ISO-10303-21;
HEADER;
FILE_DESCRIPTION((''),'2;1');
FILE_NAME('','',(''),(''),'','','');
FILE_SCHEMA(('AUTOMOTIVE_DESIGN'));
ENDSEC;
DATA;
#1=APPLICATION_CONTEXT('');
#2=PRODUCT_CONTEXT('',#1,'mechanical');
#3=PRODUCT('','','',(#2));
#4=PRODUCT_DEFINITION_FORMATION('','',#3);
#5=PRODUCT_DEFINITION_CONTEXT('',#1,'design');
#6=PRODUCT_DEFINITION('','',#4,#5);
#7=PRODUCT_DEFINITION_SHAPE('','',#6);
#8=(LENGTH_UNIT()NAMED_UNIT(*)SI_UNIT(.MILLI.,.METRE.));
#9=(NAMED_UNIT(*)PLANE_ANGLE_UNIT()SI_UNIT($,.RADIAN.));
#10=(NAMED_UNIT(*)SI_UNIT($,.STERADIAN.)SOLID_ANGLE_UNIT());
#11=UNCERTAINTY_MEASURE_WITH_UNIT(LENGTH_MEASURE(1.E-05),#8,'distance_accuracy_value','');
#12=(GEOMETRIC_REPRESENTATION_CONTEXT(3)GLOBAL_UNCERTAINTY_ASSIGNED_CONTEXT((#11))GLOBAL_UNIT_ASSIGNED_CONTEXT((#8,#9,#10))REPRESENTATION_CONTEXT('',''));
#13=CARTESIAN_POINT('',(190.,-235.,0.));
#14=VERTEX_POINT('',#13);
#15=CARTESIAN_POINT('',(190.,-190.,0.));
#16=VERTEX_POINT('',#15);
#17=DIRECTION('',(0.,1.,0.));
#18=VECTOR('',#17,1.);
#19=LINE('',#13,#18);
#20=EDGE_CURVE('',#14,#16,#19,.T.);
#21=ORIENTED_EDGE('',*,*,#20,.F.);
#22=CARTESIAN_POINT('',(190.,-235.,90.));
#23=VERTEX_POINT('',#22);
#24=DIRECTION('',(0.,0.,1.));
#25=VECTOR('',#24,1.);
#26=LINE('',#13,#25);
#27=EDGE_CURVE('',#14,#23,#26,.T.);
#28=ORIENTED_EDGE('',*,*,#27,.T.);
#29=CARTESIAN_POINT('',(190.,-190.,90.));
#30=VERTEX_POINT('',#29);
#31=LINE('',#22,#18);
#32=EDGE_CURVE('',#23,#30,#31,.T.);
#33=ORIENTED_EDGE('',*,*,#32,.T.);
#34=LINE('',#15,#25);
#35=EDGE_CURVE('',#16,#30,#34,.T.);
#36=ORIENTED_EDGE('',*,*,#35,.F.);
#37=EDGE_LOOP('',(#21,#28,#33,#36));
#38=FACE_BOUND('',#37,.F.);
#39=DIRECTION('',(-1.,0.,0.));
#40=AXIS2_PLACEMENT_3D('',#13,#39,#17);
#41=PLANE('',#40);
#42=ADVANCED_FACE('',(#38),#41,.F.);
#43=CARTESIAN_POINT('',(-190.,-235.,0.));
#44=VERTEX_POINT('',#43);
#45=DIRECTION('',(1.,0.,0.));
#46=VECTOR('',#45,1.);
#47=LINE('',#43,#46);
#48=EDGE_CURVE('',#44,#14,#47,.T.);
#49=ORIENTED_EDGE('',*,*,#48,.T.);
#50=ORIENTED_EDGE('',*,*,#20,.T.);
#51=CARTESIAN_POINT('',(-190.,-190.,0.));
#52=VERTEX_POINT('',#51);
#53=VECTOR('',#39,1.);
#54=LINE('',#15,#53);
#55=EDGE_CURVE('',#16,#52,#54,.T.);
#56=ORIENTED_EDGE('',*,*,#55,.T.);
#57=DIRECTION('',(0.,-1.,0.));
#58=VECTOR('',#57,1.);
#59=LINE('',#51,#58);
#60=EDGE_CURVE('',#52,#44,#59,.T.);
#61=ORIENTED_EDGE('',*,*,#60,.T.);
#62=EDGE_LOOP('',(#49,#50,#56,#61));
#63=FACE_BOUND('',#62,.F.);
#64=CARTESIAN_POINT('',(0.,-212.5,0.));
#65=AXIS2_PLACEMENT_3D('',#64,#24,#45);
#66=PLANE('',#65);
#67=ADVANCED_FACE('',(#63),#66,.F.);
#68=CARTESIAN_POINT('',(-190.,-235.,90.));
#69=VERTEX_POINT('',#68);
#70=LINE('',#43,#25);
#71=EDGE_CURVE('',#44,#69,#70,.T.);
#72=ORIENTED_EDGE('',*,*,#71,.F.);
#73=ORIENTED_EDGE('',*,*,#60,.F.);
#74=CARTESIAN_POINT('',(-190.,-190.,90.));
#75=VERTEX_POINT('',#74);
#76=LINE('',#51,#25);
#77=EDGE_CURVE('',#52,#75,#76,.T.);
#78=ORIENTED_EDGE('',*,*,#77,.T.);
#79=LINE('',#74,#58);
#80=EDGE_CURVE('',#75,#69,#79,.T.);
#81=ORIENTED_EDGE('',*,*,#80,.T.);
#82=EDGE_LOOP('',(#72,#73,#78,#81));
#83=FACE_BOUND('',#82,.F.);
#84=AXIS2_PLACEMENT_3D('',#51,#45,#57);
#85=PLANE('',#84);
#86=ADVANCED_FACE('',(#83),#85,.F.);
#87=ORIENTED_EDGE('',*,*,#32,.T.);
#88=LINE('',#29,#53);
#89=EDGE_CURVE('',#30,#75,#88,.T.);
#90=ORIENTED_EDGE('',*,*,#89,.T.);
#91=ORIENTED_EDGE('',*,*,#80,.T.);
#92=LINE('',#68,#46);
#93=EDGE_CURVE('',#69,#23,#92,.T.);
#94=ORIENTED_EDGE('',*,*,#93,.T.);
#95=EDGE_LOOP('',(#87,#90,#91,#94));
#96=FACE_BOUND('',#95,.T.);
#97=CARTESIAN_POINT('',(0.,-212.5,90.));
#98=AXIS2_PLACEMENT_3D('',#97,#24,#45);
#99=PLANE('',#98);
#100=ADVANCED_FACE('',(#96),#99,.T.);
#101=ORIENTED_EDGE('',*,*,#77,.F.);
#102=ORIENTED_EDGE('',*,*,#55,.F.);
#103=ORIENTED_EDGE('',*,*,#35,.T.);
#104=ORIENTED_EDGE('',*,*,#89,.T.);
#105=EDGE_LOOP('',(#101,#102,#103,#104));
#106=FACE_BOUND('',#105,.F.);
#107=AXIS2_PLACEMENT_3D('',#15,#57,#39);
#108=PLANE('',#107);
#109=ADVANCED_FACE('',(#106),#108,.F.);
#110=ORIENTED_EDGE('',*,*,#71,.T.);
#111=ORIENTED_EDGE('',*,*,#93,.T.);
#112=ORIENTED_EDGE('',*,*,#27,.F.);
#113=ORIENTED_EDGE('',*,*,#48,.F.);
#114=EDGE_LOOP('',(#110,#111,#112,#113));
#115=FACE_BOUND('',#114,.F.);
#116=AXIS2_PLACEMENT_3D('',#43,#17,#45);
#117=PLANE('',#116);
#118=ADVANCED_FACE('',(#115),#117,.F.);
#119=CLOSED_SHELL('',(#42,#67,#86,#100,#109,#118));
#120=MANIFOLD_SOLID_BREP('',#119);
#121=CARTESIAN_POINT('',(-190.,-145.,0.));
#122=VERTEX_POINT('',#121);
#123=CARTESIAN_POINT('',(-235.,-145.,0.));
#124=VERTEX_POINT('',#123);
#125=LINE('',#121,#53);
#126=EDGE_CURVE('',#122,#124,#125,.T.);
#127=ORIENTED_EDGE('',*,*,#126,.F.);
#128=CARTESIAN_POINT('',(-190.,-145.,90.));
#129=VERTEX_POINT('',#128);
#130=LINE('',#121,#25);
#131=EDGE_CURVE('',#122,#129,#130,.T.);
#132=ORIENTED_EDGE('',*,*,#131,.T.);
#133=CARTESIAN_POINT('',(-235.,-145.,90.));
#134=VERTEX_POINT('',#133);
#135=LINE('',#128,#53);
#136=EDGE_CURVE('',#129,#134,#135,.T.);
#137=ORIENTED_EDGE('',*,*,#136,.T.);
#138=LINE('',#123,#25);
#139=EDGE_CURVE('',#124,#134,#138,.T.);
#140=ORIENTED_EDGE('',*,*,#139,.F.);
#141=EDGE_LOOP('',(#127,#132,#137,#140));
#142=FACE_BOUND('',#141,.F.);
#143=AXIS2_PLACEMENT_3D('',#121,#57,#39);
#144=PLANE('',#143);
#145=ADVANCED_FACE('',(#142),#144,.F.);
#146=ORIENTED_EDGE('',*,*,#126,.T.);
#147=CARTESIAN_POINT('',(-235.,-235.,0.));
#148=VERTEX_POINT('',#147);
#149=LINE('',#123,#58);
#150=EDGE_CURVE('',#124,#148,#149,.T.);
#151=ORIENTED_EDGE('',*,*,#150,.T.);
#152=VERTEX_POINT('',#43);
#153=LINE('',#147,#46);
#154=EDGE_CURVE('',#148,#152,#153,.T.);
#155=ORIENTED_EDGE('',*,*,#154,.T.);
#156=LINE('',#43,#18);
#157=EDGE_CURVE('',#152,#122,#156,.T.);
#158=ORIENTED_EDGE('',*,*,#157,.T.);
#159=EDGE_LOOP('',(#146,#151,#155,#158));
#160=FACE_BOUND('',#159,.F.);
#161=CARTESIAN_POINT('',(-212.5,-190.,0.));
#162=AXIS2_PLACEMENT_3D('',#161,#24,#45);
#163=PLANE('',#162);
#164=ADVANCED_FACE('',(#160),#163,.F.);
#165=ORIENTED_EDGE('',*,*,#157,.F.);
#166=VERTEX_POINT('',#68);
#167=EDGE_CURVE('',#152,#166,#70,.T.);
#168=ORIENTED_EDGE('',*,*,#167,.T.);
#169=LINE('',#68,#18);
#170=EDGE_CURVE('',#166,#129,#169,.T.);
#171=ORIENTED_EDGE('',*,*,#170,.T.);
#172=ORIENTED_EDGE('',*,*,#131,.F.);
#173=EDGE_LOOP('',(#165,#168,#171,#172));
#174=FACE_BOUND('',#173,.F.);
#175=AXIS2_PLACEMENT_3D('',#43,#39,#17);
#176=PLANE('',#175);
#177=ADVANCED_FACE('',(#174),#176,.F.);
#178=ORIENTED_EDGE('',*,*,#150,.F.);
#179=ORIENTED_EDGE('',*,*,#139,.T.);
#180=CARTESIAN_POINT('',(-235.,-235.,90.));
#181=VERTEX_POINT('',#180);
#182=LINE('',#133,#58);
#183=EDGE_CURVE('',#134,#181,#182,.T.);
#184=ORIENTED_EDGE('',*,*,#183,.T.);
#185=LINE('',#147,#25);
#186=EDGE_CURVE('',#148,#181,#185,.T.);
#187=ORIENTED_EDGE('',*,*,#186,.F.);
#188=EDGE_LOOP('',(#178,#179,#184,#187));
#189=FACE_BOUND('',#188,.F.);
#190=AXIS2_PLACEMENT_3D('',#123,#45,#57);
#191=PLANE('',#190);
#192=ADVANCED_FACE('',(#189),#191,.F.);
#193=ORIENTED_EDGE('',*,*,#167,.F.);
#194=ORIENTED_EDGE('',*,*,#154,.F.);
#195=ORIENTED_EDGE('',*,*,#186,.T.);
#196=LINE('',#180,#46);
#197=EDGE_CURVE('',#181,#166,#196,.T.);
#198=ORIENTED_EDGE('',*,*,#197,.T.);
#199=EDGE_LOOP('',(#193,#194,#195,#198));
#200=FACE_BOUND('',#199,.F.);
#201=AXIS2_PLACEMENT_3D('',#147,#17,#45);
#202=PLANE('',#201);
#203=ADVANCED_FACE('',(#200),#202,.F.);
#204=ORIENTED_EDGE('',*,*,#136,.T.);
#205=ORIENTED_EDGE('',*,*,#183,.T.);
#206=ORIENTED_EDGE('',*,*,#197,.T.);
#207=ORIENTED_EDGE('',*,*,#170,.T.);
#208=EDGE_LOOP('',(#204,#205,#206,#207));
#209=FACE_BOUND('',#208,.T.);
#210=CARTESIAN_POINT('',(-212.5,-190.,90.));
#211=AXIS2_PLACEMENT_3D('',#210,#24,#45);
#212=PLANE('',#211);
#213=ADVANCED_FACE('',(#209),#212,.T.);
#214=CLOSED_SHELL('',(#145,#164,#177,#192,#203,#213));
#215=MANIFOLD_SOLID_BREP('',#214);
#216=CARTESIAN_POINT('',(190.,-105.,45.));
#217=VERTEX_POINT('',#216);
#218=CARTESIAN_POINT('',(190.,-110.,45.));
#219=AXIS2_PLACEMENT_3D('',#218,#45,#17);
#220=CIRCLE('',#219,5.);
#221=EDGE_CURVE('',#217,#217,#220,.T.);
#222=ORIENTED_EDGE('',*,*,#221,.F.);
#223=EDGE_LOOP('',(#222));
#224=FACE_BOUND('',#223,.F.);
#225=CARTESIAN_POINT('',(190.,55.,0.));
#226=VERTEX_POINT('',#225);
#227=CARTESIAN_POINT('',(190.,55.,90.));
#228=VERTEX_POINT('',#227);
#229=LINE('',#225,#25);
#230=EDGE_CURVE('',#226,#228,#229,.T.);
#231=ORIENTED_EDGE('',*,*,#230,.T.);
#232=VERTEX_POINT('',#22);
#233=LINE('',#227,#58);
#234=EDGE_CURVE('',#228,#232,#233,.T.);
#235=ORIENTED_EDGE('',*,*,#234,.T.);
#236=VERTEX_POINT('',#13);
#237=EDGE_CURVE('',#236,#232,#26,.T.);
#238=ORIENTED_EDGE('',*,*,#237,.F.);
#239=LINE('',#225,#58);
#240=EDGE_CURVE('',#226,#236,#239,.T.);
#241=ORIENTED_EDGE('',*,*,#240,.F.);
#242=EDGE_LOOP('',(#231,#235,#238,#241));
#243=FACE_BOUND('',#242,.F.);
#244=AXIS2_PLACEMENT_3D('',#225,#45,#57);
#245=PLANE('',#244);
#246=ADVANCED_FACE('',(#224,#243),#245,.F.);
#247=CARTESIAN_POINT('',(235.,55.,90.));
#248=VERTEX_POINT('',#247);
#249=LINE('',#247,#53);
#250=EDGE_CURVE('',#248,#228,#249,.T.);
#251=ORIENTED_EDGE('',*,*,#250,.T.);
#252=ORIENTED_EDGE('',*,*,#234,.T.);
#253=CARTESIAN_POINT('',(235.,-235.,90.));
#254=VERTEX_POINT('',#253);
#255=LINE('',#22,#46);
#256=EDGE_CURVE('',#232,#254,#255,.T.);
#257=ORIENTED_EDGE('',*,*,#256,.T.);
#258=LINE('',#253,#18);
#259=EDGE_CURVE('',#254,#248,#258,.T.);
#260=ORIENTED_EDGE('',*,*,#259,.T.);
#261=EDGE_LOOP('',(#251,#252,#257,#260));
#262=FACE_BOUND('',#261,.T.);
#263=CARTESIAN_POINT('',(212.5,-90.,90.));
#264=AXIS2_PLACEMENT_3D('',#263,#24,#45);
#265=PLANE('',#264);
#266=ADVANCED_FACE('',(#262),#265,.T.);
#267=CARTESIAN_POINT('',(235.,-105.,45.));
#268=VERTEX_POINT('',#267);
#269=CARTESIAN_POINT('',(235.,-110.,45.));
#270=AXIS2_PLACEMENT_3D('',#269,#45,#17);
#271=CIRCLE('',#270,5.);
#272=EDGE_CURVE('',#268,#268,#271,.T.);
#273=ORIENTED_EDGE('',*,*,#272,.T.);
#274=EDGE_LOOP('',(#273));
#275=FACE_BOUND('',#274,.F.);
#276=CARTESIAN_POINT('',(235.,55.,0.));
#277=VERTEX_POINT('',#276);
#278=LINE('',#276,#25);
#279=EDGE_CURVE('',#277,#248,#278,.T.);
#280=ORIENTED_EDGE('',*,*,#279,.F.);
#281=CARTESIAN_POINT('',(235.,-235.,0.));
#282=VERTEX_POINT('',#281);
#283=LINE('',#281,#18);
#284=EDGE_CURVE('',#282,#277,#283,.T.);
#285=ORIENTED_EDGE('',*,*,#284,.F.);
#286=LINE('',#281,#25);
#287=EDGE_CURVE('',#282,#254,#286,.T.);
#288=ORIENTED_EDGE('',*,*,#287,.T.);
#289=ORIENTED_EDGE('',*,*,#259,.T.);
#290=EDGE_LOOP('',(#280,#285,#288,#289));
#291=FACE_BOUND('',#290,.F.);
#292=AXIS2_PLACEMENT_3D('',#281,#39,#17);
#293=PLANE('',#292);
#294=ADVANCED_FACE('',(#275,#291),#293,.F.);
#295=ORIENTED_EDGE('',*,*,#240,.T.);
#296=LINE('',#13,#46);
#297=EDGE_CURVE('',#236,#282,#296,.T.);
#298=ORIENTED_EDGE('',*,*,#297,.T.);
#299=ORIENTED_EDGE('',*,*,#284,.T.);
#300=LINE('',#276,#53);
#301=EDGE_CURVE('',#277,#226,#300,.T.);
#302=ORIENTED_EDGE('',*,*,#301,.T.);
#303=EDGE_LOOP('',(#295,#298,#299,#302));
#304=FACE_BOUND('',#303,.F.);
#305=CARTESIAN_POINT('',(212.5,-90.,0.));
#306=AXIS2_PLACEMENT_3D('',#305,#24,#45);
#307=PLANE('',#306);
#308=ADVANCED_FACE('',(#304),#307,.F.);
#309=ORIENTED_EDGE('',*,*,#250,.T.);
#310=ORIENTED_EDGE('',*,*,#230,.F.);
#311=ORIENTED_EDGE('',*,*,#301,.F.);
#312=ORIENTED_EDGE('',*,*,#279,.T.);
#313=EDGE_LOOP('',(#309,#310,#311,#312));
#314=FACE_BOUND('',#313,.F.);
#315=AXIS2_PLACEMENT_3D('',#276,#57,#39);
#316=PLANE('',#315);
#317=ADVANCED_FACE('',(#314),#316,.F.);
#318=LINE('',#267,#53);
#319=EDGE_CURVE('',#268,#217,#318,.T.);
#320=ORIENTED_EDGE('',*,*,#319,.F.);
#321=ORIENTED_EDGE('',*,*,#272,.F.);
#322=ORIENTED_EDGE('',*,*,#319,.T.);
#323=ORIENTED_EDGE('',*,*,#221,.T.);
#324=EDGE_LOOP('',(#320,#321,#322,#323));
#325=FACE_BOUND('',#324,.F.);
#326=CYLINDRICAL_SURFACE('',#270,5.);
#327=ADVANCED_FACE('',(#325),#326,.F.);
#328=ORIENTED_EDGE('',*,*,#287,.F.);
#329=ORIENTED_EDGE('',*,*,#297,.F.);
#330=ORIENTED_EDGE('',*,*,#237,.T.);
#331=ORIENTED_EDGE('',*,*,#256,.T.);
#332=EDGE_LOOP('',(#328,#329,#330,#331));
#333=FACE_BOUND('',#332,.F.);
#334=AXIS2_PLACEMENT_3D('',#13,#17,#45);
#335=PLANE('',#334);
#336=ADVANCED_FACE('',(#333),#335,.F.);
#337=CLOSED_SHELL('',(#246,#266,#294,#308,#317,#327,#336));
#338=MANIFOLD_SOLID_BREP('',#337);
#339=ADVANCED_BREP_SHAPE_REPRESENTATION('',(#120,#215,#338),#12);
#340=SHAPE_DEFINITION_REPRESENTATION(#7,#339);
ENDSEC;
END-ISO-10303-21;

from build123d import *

# Parameters (mm, degrees)
F1_DEPTH = 90
F2_DEPTH = 90
F3_DEPTH = 90
F4_R     = 5
F5_DEPTH = 45


with BuildPart() as f1:
    # F0 (on Top) → F1 (new body)
    with BuildSketch(Plane.XY):
        Polygon((235, -235), (235, 55), (190, 55), (190, -190), (190, -235), align=None)
    extrude(amount=F1_DEPTH)

    # F4 (on face) → F5 (cut, through all)
    with BuildSketch(Plane.YZ.offset(235)):
        with Locations((-110, 45)):
            Circle(F4_R)
    extrude(amount=-F5_DEPTH, mode=Mode.SUBTRACT)


with BuildPart() as f2:
    # F0 (on Top) → F2 (new body)
    with BuildSketch(Plane.XY):
        Polygon((190, -190), (-145, -190), (-190, -190), (-190, -235), (190, -235), align=None)
    extrude(amount=F2_DEPTH)


with BuildPart() as f3:
    # F0 (on Top) → F3 (new body)
    with BuildSketch(Plane.XY):
        Polygon((-190, -190), (-190, -145), (-235, -145), (-235, -235), (-190, -235), align=None)
    extrude(amount=F3_DEPTH)


solid = Compound([f1.part, f2.part, f3.part])
